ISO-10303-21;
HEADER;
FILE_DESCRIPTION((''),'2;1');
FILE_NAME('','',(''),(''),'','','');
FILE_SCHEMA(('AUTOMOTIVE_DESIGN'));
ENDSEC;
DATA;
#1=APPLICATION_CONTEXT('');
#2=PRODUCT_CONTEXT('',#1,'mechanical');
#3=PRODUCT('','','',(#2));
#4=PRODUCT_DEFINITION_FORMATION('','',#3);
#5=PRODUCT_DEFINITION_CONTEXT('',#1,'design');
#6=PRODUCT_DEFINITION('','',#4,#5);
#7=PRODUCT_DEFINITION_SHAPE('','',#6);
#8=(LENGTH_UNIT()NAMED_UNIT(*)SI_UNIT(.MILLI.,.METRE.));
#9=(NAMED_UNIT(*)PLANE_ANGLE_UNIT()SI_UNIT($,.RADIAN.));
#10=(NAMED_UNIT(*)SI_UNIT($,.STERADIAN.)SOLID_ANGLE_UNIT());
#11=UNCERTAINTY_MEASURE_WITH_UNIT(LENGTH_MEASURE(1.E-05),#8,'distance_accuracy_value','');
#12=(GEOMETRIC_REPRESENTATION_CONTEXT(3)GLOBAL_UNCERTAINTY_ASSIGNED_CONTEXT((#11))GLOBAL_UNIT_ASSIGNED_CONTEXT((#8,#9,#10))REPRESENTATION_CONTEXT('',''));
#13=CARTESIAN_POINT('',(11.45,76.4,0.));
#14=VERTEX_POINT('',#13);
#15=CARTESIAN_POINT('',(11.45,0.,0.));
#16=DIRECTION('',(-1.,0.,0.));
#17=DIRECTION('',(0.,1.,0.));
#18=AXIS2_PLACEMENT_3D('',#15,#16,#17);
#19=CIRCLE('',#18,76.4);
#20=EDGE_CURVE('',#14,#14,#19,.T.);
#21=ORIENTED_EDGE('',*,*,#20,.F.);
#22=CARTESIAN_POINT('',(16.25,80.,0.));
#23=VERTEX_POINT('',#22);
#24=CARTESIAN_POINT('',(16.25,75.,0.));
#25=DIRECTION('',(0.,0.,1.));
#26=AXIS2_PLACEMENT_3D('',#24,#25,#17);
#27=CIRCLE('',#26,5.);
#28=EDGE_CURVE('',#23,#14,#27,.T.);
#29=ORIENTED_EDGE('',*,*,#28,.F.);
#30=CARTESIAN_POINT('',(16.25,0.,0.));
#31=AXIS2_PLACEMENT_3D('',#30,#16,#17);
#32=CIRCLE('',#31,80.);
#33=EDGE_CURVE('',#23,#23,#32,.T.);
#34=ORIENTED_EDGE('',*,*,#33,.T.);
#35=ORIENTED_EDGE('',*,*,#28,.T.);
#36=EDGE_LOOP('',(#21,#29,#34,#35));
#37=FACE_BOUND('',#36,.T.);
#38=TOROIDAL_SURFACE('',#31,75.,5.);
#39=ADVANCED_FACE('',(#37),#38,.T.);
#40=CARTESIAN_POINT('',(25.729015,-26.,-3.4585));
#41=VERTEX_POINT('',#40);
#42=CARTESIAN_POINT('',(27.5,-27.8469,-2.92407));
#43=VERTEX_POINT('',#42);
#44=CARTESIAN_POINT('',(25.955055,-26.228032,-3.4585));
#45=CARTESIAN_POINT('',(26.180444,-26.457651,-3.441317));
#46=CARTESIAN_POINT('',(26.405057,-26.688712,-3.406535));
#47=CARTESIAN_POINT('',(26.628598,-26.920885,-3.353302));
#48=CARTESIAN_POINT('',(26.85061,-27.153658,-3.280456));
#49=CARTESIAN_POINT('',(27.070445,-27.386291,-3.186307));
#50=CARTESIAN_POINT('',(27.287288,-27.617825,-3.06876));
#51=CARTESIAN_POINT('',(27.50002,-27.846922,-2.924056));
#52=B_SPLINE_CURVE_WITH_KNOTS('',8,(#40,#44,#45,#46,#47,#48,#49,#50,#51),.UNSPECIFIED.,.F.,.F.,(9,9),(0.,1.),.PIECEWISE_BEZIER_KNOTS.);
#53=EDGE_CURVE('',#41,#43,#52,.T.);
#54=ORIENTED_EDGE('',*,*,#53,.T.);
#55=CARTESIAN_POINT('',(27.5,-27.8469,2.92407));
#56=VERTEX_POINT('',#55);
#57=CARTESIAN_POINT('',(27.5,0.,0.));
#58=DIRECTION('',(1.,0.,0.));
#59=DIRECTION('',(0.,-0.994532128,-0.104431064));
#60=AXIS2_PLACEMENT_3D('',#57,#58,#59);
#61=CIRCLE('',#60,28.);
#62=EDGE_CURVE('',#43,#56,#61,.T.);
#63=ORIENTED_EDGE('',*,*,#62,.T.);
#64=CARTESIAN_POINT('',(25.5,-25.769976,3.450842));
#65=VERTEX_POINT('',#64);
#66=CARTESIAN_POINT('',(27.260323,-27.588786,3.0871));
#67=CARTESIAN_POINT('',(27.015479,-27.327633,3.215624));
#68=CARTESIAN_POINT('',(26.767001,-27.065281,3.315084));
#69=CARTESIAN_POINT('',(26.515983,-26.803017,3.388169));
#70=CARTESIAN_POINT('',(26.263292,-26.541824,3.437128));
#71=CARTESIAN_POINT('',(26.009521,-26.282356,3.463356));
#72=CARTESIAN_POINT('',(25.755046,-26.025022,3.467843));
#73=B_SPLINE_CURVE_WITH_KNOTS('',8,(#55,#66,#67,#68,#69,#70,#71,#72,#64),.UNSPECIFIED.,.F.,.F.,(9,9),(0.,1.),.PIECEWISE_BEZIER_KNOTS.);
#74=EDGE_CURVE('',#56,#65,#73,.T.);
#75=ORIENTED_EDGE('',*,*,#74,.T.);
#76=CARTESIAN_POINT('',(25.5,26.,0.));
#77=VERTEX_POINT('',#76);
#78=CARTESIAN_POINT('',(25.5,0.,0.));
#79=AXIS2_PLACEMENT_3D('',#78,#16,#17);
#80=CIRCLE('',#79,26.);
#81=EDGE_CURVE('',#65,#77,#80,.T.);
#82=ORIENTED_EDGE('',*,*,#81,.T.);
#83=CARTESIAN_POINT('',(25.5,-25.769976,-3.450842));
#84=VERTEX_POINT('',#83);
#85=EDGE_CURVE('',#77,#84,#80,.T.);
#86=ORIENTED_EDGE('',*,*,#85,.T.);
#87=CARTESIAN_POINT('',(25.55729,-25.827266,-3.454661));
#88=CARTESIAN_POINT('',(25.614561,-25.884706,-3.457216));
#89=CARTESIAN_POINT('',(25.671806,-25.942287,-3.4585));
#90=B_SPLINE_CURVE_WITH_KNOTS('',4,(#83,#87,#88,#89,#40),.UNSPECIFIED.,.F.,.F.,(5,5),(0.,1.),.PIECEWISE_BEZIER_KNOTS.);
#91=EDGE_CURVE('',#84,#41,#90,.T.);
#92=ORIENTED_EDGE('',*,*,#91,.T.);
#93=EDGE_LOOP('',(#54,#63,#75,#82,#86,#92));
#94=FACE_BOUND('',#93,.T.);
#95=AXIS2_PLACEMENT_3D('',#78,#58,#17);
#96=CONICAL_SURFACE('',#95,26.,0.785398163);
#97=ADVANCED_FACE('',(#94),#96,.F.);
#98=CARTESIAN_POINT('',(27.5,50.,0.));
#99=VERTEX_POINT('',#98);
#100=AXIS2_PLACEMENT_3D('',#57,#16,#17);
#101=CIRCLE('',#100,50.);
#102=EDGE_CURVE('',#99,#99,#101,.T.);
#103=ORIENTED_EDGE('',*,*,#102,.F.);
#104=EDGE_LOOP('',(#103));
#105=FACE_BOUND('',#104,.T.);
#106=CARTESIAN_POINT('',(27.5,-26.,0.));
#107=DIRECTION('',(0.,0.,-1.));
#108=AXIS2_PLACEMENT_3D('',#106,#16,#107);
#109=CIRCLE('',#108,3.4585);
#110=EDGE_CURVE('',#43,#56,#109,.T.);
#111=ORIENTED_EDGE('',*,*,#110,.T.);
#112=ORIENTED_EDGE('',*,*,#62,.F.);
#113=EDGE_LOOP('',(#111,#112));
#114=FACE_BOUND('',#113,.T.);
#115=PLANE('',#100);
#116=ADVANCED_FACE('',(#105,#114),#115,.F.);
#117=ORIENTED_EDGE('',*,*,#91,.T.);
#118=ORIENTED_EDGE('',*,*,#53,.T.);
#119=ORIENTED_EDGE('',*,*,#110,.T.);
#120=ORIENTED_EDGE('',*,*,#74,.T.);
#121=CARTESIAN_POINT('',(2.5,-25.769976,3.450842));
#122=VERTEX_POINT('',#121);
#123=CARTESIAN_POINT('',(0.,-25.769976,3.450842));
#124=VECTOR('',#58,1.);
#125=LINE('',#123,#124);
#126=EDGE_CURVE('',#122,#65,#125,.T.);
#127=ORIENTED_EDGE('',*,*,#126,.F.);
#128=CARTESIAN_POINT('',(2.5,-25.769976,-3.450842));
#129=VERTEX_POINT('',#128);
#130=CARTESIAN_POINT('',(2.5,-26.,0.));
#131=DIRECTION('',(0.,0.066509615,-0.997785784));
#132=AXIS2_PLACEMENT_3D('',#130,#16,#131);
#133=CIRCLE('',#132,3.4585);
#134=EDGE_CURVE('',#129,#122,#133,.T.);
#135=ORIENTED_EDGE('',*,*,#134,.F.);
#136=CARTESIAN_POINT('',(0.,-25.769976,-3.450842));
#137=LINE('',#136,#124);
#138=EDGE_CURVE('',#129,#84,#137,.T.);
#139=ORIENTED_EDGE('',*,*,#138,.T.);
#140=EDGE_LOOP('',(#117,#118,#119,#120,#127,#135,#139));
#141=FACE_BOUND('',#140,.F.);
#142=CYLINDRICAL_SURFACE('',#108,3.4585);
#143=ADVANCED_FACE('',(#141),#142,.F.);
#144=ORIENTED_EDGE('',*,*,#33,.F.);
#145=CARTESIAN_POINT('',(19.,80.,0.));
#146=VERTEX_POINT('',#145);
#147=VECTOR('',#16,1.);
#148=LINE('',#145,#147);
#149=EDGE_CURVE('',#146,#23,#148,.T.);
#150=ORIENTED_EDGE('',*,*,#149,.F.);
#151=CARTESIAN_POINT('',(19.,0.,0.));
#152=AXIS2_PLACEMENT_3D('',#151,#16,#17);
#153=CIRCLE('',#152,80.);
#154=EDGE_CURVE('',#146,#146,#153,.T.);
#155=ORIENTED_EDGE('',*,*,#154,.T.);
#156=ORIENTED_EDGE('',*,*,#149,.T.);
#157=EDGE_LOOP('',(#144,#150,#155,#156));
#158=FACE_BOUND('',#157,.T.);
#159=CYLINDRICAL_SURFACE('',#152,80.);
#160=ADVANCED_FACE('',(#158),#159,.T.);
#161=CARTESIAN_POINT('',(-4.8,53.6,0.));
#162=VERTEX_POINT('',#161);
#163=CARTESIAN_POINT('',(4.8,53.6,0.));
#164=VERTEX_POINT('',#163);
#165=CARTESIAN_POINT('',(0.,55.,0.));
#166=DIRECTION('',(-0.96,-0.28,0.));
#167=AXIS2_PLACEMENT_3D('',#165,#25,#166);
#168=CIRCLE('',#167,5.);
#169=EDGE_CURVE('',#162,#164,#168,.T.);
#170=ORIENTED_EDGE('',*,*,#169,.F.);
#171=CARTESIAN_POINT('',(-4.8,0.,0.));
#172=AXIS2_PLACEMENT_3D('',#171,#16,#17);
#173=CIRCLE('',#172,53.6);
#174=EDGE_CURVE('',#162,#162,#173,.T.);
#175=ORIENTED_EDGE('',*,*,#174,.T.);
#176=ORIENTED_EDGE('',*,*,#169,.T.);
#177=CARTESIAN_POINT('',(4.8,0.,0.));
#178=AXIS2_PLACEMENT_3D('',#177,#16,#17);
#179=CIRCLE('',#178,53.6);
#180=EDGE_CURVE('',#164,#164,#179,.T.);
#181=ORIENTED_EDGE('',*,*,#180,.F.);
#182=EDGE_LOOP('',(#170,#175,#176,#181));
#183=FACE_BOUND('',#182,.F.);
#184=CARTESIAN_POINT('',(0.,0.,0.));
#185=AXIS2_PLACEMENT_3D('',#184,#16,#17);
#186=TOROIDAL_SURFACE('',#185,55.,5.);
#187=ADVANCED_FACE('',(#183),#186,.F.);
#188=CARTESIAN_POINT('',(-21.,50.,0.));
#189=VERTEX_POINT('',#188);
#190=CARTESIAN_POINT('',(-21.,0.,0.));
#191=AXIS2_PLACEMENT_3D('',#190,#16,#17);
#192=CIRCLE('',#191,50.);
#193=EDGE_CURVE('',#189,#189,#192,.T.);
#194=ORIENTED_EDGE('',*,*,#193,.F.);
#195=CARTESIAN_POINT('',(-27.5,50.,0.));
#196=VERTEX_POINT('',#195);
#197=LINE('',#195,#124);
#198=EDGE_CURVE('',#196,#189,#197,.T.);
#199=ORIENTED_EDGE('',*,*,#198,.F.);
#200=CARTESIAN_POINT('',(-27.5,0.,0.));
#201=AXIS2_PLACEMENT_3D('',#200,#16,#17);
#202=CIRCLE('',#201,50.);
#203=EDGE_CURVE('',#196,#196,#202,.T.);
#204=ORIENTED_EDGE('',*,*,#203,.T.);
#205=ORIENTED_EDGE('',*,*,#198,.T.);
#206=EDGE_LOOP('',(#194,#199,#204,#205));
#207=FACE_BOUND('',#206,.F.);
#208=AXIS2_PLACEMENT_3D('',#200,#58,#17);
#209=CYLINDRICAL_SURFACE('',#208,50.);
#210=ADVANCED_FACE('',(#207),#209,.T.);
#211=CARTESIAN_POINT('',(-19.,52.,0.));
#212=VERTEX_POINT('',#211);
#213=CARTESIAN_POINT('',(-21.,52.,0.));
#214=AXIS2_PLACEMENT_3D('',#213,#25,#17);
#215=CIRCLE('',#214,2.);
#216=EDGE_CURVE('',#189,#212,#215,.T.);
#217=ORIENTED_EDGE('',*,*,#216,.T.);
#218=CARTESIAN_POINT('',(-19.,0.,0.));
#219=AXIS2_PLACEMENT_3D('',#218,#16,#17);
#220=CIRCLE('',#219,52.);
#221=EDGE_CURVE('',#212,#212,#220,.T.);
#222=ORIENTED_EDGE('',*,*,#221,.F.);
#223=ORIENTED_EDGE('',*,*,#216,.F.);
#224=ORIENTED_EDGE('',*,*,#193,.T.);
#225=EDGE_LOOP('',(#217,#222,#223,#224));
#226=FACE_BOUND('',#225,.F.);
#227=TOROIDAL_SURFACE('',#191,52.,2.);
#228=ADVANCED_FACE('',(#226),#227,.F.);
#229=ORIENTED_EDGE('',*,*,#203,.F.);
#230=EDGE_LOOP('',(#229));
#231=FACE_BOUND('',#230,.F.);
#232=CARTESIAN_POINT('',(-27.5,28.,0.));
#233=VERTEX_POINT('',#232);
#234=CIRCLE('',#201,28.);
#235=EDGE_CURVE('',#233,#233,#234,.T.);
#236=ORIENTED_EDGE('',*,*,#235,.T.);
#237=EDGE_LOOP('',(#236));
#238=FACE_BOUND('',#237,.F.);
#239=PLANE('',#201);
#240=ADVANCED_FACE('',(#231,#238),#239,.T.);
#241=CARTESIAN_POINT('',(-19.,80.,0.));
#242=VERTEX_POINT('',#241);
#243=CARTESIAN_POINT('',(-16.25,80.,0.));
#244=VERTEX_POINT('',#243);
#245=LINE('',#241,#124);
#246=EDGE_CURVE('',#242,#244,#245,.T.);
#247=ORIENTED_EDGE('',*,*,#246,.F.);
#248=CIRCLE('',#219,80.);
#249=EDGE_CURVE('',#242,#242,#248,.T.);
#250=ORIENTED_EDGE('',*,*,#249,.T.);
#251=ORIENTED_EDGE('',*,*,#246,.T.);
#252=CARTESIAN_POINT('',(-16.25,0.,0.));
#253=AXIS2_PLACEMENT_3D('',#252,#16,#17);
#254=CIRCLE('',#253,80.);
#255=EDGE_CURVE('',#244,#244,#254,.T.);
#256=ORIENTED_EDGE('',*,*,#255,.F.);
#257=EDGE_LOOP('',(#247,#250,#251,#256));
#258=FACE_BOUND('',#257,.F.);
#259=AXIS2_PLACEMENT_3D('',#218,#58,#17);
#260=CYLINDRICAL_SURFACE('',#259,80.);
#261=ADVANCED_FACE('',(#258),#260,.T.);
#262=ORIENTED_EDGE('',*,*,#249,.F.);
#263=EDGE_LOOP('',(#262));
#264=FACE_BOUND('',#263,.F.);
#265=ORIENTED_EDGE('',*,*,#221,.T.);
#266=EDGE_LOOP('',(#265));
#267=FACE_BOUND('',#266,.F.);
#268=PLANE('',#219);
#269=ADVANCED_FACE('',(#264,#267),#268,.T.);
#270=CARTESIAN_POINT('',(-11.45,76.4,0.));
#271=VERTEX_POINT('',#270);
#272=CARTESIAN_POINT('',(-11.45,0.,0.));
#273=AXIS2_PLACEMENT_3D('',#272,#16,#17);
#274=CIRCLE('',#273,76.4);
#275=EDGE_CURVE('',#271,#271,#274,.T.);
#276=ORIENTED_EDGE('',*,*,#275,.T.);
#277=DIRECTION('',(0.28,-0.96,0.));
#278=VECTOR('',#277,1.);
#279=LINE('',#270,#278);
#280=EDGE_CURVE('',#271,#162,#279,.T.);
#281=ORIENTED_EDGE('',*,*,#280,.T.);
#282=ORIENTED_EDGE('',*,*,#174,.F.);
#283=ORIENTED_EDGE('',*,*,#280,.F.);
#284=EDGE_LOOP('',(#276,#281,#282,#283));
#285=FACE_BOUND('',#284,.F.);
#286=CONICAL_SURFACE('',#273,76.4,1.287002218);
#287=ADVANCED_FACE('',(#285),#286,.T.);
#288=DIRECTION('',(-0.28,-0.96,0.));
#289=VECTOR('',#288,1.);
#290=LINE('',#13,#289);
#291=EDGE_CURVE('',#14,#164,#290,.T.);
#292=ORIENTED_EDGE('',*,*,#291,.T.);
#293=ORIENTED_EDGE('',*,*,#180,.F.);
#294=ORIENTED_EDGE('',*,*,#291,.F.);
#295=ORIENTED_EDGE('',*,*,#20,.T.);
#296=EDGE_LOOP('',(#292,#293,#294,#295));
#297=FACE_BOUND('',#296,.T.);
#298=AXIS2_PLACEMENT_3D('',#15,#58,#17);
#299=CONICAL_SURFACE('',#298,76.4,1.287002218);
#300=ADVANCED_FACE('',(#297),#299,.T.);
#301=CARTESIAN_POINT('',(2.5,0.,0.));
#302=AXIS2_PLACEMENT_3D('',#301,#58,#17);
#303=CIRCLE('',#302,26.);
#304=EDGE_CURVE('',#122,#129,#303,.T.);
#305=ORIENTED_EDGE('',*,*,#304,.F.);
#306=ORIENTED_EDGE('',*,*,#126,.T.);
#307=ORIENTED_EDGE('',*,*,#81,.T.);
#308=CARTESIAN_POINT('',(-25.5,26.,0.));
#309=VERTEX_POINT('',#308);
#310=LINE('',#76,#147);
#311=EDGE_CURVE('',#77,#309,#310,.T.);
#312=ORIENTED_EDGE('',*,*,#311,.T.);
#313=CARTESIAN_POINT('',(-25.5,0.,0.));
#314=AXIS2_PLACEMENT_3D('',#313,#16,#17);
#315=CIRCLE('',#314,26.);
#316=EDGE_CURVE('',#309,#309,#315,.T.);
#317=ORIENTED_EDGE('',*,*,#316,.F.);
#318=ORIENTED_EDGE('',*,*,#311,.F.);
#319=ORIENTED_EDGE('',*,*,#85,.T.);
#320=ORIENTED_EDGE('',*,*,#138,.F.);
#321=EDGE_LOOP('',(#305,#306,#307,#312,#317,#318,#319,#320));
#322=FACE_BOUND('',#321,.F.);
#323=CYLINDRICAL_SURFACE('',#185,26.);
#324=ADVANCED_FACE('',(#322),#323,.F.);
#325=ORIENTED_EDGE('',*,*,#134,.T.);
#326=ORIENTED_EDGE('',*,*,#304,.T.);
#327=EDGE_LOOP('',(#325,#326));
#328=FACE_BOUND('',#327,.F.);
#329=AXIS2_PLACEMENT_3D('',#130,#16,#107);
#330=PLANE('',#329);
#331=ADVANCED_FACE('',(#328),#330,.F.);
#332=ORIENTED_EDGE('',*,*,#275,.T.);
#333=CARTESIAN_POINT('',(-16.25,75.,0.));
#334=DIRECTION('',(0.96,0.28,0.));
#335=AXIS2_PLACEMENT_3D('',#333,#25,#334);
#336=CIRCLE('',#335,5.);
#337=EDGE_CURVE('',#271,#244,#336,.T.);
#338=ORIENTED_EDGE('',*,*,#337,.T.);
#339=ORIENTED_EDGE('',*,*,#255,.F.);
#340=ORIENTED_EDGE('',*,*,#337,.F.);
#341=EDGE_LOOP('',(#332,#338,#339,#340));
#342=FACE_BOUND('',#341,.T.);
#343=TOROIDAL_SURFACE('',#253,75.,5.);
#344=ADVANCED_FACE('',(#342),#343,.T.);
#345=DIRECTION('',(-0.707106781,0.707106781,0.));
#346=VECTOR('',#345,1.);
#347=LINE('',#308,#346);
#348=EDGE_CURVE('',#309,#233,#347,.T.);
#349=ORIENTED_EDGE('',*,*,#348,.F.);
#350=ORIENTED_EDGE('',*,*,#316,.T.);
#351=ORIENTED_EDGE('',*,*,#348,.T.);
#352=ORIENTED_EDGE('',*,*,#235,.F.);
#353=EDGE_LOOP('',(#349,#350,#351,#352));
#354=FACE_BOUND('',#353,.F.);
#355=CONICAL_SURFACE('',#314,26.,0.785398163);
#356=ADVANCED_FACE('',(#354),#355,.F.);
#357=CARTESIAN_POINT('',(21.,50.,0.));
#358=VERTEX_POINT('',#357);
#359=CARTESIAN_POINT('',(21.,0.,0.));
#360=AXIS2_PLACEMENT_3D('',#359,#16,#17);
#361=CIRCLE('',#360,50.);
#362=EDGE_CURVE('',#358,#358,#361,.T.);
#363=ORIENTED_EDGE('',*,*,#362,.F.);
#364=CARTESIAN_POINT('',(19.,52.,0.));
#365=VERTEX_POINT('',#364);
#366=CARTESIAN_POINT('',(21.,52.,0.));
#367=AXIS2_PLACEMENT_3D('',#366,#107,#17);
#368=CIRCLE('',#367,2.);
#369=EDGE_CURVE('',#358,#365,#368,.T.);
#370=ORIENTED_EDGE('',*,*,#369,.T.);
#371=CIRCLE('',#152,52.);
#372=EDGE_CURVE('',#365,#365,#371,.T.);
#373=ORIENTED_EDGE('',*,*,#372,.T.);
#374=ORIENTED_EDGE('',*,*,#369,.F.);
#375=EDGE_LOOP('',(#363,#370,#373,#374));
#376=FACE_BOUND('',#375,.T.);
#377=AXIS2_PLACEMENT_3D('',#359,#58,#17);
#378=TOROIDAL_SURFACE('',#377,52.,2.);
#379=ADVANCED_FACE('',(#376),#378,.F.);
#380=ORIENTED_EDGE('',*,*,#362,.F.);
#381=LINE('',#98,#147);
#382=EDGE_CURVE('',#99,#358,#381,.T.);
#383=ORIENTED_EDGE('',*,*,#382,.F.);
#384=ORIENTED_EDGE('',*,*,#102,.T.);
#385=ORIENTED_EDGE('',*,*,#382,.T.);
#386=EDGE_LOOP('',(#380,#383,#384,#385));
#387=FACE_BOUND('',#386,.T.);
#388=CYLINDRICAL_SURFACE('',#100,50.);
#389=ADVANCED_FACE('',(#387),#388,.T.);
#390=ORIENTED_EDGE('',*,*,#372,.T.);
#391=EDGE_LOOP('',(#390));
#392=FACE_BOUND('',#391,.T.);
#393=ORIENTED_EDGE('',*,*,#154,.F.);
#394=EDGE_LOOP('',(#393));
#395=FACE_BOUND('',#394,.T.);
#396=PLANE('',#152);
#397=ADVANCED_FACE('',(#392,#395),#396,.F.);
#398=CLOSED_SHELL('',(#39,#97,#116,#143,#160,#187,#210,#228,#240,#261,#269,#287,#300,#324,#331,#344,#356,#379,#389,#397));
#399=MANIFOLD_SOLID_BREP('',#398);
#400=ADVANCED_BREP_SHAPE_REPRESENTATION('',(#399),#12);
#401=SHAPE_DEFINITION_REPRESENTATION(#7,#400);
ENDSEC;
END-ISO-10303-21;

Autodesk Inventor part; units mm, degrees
ref_plane "YZ Plane" through (0, 0, 0) normal (1, 0, 0) x (0, 1, 0)
ref_plane "XZ Plane" through (0, 0, 0) normal (0, 1, 0) x (-1, 0, 0)
ref_plane "XY Plane" through (0, 0, 0) normal (0, 0, 1) x (1, 0, 0)
sketch "Sketch1" plane through (0, 0, 0) normal (0, 0, 1) x (1, 0, 0)
  line L0 (27.5, 0) -> (-27.5, 0)
  line L1 (0, 0) -> (0, 26) construction
  line L2 (0, 26) -> (-25.5, 26)
  line L3 (-25.5, 26) -> (-27.5, 28)
  line L4 (-27.5, 28) -> (-27.5, 50)
  line L5 (-27.5, 50) -> (-19, 50)
  line L6 (-19, 50) -> (-19, 80)
  line L7 (-19, 80) -> (-16.25, 80)
  line L8 (-11.45, 76.4) -> (-4.8, 53.6)
  line L9 (0, 26) -> (25.5, 26)
  line L10 (25.5, 26) -> (27.5, 28)
  line L11 (27.5, 28) -> (27.5, 50)
  line L12 (27.5, 50) -> (19, 50)
  line L13 (19, 50) -> (19, 80)
  line L14 (19, 80) -> (16.25, 80)
  line L15 (11.45, 76.4) -> (4.8, 53.6)
  arc A0 (-4.8, 53.6) -> (4.8, 53.6) centre (0, 55) ccw
  arc A1 (16.25, 80) -> (11.45, 76.4) centre (16.25, 75) ccw
  arc A2 (-11.45, 76.4) -> (-16.25, 80) centre (-16.25, 75) ccw
  point P0 (-12.5, 80)
  point P1 (0, 37.1429)
  point P2 (12.5, 80)
  point P3 (0, 50)
  dimension "d0" = 160
  dimension "d1" = 52
  dimension "d2" = 100
  dimension "d3" = 25
  dimension "d4" = 38
  dimension "d5" = 55
  dimension "d7" = 2
  dimension "d8" = 45
  dimension "d9" = 5
  dimension "d21" = 100
revolve "Revolution1" add sketch "Sketch1" angle 360 about axis through (27.5, 0, 0) along (-1, 0, 0)
sketch "Sketch3" plane through (27.5, 0, 0) normal (1, 0, 0) x (0, 0, -1)
  line L0 (0, 0) -> (0, -26)
  circle A0 centre (0, 0) radius 26 projected
hole "Hole1" at (27.5, -26, 0) direction (-1, 0, 0) diameter 6.917 depth 25 thread size "M8x1" class "6H" standard "ANSI Metric M Profile"
fillet "Fillet1" radius 2 2 edges at (19, -50, 0) (-19, -50, 0)
properties part number "Ролик" material "Steel, Cast"
